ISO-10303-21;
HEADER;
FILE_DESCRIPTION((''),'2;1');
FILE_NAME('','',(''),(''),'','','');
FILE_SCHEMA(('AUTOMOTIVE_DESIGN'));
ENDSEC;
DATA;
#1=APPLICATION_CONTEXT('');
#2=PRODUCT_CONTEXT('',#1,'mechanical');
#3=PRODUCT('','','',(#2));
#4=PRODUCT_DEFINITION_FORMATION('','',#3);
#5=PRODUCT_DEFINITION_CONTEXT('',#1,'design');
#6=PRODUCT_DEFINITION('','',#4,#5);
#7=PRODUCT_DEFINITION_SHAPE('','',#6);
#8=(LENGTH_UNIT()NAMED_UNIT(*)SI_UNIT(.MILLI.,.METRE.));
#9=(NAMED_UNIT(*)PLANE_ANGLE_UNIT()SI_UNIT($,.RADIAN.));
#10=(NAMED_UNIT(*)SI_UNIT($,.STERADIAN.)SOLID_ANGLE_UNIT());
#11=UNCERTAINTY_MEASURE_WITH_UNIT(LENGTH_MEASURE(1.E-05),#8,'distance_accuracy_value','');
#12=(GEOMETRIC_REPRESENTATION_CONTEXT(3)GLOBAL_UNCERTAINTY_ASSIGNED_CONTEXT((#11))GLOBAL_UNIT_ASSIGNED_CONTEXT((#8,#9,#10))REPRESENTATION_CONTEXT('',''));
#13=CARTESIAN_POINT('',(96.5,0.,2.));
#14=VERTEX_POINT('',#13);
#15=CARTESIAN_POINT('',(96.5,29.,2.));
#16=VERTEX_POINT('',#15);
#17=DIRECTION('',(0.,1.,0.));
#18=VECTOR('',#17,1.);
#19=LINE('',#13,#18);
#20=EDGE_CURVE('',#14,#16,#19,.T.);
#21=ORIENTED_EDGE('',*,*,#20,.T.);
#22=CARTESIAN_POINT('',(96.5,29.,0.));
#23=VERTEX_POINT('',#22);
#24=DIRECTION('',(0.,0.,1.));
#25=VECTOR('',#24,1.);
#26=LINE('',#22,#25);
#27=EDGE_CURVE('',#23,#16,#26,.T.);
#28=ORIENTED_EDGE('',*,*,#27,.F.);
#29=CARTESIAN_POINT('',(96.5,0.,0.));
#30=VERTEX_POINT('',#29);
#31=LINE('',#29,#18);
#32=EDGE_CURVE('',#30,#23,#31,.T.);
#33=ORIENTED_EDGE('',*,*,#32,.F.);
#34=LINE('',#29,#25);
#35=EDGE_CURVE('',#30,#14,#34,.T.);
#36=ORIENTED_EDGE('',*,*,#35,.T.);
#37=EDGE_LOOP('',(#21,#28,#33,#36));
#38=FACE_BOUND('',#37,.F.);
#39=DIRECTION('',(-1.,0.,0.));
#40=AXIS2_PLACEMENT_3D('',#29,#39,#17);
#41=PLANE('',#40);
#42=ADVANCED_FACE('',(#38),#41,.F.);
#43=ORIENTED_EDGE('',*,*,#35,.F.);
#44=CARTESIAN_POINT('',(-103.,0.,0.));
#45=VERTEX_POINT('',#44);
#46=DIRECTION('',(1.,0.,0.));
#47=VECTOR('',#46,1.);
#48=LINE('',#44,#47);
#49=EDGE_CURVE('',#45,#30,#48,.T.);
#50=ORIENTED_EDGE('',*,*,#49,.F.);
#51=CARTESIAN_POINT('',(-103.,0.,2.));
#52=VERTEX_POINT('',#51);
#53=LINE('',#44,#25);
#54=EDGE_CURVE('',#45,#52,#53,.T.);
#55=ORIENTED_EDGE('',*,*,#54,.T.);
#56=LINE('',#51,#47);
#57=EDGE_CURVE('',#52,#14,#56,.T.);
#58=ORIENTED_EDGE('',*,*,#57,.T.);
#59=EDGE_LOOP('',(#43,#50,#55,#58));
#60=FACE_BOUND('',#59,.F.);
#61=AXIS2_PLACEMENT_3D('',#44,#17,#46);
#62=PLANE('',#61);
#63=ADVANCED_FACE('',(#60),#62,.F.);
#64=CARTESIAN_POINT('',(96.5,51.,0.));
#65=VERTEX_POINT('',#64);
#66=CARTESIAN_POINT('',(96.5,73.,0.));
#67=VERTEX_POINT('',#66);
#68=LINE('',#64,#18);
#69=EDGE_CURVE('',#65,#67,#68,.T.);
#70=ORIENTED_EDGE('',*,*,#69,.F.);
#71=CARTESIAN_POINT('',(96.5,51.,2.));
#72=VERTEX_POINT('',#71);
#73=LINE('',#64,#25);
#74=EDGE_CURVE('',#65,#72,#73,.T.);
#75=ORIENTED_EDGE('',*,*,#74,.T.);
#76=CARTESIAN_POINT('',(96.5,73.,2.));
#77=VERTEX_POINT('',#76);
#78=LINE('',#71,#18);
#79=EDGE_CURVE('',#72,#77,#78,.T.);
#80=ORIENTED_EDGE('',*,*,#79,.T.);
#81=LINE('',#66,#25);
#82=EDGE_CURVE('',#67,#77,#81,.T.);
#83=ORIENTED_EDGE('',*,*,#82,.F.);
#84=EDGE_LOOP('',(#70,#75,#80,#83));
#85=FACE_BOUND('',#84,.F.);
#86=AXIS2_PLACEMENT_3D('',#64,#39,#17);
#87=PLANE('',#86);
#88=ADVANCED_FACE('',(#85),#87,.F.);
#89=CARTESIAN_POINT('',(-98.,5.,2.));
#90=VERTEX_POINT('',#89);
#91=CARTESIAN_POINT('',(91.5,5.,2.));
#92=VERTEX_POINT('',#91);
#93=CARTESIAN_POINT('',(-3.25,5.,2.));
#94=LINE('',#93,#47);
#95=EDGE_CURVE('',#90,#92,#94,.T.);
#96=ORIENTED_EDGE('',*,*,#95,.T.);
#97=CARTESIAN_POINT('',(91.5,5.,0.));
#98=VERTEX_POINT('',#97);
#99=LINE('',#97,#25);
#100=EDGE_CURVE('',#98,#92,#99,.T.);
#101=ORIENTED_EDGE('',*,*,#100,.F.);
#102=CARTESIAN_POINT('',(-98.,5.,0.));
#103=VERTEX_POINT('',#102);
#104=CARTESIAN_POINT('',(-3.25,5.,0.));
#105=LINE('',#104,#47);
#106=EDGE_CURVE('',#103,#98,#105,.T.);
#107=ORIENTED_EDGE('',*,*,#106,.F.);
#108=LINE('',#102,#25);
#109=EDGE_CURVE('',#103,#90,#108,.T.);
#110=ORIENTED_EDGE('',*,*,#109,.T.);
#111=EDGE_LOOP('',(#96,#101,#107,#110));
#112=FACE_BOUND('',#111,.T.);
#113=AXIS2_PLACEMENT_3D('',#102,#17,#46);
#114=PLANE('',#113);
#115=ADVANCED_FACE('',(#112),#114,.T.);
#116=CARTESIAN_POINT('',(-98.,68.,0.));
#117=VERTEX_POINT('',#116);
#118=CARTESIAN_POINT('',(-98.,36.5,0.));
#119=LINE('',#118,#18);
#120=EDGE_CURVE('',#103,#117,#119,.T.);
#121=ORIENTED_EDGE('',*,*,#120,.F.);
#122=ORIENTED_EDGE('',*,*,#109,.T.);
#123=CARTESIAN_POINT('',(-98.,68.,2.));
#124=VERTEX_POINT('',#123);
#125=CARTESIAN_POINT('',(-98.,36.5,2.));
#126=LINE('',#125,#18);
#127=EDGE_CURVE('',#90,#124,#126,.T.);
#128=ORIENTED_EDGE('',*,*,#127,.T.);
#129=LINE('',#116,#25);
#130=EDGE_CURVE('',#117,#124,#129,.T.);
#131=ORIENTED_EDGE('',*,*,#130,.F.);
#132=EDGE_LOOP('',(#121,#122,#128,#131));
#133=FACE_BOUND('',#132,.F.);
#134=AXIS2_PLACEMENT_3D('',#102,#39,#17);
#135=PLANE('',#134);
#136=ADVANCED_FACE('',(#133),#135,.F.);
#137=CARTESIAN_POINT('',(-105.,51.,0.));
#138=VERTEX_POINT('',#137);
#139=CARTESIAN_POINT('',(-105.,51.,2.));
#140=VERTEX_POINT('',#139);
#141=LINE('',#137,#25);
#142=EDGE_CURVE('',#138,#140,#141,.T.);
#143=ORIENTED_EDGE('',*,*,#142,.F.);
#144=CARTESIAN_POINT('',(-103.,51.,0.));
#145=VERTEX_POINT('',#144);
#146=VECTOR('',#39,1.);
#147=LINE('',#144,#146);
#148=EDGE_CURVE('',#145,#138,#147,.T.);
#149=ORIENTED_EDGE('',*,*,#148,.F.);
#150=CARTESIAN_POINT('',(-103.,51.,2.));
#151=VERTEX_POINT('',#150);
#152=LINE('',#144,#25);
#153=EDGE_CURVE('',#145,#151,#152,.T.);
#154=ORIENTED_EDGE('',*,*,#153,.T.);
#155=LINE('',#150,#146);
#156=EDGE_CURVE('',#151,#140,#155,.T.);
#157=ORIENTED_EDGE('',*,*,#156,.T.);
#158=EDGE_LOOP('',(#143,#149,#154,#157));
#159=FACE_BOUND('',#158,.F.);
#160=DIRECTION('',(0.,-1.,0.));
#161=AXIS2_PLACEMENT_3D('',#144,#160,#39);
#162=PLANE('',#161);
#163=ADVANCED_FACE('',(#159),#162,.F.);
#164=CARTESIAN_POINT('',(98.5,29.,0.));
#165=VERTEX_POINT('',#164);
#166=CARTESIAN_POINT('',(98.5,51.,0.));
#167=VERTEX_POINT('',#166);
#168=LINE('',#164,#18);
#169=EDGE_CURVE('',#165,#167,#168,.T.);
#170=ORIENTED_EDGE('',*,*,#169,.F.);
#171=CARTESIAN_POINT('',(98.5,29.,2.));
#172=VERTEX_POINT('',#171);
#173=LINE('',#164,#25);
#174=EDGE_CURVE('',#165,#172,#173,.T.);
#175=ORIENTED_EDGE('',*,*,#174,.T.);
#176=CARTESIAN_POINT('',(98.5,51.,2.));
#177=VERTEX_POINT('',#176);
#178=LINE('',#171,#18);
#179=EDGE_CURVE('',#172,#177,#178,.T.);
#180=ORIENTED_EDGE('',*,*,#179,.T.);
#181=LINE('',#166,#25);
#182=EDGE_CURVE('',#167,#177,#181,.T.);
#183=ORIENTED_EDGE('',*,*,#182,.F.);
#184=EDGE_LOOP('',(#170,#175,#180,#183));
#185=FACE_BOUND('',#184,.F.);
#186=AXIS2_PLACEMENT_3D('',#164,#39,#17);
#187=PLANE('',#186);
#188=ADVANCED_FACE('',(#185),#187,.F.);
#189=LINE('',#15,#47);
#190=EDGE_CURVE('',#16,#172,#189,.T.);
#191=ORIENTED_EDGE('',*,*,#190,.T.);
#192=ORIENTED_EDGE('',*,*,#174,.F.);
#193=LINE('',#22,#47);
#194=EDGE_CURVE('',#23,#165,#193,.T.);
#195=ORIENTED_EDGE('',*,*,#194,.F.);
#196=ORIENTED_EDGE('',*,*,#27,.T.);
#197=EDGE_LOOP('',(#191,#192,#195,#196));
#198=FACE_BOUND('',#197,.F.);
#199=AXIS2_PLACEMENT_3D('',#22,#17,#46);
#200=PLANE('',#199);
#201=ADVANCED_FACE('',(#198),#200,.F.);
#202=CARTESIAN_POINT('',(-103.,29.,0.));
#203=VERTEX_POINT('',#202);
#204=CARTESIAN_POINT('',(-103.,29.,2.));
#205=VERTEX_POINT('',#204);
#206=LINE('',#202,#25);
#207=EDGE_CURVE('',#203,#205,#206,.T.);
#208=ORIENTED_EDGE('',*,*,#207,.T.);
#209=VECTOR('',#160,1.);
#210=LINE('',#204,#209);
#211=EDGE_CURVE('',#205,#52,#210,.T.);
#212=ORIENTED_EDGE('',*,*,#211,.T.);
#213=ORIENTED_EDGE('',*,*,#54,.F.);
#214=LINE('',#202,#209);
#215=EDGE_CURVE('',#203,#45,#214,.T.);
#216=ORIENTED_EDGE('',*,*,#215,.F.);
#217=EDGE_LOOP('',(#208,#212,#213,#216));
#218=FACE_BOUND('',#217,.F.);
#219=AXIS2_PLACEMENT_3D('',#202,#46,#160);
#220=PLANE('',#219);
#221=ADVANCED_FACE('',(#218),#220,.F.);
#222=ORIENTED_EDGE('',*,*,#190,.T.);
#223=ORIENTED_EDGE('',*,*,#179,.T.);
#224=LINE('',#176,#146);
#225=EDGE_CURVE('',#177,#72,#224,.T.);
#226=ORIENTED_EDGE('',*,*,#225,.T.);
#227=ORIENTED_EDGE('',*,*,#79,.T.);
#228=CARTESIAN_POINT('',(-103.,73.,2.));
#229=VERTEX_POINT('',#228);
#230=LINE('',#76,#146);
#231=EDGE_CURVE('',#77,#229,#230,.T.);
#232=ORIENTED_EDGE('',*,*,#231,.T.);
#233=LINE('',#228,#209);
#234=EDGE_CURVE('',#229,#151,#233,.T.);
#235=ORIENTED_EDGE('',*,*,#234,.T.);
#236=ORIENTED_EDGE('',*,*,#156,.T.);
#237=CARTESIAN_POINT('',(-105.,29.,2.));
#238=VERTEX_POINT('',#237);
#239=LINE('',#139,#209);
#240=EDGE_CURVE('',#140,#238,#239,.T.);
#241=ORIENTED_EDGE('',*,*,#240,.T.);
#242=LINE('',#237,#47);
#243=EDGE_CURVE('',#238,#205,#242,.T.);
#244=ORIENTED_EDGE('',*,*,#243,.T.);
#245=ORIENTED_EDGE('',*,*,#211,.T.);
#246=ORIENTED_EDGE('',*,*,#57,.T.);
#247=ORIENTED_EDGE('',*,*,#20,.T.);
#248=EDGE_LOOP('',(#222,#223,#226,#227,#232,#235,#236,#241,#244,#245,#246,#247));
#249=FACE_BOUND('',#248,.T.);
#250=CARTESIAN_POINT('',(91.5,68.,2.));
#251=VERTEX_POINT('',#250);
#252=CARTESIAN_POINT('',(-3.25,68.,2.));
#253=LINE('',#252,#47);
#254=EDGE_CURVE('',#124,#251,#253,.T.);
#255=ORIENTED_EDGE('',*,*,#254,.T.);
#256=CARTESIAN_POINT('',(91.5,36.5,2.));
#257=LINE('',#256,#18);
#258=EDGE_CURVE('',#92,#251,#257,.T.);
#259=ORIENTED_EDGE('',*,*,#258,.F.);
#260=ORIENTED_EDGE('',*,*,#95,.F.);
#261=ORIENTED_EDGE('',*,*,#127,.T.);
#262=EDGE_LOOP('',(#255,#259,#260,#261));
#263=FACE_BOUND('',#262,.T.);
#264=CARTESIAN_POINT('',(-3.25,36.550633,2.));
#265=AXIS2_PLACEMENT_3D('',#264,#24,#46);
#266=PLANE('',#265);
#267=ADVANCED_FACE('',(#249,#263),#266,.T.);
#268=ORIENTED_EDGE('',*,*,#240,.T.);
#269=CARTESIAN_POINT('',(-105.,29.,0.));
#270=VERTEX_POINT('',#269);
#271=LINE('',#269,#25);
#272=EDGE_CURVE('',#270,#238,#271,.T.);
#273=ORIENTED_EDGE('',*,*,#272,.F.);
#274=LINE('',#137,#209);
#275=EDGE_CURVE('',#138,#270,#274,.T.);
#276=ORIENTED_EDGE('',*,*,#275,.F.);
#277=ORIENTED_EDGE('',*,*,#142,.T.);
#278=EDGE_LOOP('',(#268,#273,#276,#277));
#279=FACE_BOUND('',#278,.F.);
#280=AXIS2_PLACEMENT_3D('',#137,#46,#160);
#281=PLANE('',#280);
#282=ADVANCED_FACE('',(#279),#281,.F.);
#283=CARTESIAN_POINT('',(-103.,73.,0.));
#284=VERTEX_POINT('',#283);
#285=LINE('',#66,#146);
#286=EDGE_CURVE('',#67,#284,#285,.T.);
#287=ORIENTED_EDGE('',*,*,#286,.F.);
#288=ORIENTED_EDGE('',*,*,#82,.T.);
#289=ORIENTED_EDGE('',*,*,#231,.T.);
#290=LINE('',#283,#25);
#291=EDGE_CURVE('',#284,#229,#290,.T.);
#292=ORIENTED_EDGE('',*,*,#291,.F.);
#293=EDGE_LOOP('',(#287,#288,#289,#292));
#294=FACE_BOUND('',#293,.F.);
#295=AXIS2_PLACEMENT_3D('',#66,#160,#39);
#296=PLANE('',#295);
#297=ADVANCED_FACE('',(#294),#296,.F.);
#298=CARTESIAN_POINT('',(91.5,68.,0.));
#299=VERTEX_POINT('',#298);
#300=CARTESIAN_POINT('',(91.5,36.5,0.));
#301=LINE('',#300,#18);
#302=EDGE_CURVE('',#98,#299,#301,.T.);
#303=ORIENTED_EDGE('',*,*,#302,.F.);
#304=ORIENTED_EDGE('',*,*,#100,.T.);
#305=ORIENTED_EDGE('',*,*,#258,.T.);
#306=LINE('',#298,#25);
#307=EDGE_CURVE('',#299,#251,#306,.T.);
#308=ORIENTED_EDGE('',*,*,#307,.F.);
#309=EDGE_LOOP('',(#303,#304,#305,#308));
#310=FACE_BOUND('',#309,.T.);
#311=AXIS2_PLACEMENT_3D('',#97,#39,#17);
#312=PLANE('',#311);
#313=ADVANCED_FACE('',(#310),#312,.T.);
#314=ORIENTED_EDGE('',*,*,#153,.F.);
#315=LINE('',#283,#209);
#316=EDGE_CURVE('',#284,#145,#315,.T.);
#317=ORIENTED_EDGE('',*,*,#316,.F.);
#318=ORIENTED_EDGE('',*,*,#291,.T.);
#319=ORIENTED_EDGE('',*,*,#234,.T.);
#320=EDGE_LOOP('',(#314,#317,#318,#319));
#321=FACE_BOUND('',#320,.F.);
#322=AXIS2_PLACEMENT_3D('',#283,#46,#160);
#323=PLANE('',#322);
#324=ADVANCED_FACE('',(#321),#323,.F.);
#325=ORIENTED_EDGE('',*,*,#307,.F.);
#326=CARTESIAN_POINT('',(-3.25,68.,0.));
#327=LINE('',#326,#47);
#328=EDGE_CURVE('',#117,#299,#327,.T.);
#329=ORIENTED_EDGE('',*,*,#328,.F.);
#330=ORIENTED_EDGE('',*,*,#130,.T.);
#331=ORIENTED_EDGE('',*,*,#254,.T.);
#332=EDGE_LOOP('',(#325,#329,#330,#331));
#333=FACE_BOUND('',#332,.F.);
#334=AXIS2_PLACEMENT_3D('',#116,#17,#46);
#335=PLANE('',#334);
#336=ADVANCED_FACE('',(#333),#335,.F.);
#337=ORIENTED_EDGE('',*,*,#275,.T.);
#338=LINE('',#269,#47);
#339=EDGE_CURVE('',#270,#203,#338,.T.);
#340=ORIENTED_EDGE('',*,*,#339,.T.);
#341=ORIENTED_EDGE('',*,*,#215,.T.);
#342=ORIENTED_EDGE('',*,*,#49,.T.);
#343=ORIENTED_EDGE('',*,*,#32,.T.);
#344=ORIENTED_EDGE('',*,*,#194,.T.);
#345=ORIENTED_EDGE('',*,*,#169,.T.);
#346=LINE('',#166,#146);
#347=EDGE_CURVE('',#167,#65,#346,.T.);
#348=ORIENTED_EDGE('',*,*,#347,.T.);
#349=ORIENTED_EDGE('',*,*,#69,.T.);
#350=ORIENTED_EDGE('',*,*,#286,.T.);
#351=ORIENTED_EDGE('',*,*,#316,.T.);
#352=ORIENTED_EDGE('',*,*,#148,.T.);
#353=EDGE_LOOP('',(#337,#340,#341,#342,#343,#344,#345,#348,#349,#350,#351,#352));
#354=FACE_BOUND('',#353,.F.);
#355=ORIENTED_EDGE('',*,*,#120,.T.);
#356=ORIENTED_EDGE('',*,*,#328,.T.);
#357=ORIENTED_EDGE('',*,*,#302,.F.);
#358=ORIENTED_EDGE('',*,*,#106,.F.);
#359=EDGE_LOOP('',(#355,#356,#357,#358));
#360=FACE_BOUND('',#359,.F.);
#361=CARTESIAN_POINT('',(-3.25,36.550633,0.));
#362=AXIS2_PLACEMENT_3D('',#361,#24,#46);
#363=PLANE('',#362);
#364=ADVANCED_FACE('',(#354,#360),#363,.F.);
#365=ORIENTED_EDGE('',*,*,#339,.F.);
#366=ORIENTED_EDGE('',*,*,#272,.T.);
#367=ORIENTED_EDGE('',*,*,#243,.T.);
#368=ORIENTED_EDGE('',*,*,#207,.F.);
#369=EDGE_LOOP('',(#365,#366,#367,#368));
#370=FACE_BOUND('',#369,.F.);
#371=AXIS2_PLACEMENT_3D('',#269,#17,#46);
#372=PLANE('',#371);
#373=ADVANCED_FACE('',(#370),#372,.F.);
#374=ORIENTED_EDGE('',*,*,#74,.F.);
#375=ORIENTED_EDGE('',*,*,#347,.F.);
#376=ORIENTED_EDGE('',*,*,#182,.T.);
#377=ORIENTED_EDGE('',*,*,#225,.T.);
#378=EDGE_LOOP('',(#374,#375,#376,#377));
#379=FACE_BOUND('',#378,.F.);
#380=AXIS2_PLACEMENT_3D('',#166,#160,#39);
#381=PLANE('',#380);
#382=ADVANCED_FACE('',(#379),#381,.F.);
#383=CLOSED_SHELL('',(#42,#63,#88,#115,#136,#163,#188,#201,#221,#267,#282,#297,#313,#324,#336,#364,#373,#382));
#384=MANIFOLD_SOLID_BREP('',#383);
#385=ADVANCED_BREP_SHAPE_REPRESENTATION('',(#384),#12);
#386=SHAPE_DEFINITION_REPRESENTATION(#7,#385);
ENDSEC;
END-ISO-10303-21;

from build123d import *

# Parameters (mm, degrees)
F0_W     = 189.5
F0_H     = 63
F1_DEPTH = 2


with BuildPart() as f1:
    # F0 (on Top) → F1 (new body)
    with BuildSketch(Plane.XY):
        Polygon((96.5, 73), (-103, 73), (-103, 51), (-105, 51), (-105, 29), (-103, 29), (-103, 0), (96.5, 0), (96.5, 29), (98.5, 29), (98.5, 51), (96.5, 51), align=None)
        with Locations((-3.25, 36.5)):
            Rectangle(F0_W, F0_H, mode=Mode.SUBTRACT)
    extrude(amount=F1_DEPTH)


solid = f1.part
